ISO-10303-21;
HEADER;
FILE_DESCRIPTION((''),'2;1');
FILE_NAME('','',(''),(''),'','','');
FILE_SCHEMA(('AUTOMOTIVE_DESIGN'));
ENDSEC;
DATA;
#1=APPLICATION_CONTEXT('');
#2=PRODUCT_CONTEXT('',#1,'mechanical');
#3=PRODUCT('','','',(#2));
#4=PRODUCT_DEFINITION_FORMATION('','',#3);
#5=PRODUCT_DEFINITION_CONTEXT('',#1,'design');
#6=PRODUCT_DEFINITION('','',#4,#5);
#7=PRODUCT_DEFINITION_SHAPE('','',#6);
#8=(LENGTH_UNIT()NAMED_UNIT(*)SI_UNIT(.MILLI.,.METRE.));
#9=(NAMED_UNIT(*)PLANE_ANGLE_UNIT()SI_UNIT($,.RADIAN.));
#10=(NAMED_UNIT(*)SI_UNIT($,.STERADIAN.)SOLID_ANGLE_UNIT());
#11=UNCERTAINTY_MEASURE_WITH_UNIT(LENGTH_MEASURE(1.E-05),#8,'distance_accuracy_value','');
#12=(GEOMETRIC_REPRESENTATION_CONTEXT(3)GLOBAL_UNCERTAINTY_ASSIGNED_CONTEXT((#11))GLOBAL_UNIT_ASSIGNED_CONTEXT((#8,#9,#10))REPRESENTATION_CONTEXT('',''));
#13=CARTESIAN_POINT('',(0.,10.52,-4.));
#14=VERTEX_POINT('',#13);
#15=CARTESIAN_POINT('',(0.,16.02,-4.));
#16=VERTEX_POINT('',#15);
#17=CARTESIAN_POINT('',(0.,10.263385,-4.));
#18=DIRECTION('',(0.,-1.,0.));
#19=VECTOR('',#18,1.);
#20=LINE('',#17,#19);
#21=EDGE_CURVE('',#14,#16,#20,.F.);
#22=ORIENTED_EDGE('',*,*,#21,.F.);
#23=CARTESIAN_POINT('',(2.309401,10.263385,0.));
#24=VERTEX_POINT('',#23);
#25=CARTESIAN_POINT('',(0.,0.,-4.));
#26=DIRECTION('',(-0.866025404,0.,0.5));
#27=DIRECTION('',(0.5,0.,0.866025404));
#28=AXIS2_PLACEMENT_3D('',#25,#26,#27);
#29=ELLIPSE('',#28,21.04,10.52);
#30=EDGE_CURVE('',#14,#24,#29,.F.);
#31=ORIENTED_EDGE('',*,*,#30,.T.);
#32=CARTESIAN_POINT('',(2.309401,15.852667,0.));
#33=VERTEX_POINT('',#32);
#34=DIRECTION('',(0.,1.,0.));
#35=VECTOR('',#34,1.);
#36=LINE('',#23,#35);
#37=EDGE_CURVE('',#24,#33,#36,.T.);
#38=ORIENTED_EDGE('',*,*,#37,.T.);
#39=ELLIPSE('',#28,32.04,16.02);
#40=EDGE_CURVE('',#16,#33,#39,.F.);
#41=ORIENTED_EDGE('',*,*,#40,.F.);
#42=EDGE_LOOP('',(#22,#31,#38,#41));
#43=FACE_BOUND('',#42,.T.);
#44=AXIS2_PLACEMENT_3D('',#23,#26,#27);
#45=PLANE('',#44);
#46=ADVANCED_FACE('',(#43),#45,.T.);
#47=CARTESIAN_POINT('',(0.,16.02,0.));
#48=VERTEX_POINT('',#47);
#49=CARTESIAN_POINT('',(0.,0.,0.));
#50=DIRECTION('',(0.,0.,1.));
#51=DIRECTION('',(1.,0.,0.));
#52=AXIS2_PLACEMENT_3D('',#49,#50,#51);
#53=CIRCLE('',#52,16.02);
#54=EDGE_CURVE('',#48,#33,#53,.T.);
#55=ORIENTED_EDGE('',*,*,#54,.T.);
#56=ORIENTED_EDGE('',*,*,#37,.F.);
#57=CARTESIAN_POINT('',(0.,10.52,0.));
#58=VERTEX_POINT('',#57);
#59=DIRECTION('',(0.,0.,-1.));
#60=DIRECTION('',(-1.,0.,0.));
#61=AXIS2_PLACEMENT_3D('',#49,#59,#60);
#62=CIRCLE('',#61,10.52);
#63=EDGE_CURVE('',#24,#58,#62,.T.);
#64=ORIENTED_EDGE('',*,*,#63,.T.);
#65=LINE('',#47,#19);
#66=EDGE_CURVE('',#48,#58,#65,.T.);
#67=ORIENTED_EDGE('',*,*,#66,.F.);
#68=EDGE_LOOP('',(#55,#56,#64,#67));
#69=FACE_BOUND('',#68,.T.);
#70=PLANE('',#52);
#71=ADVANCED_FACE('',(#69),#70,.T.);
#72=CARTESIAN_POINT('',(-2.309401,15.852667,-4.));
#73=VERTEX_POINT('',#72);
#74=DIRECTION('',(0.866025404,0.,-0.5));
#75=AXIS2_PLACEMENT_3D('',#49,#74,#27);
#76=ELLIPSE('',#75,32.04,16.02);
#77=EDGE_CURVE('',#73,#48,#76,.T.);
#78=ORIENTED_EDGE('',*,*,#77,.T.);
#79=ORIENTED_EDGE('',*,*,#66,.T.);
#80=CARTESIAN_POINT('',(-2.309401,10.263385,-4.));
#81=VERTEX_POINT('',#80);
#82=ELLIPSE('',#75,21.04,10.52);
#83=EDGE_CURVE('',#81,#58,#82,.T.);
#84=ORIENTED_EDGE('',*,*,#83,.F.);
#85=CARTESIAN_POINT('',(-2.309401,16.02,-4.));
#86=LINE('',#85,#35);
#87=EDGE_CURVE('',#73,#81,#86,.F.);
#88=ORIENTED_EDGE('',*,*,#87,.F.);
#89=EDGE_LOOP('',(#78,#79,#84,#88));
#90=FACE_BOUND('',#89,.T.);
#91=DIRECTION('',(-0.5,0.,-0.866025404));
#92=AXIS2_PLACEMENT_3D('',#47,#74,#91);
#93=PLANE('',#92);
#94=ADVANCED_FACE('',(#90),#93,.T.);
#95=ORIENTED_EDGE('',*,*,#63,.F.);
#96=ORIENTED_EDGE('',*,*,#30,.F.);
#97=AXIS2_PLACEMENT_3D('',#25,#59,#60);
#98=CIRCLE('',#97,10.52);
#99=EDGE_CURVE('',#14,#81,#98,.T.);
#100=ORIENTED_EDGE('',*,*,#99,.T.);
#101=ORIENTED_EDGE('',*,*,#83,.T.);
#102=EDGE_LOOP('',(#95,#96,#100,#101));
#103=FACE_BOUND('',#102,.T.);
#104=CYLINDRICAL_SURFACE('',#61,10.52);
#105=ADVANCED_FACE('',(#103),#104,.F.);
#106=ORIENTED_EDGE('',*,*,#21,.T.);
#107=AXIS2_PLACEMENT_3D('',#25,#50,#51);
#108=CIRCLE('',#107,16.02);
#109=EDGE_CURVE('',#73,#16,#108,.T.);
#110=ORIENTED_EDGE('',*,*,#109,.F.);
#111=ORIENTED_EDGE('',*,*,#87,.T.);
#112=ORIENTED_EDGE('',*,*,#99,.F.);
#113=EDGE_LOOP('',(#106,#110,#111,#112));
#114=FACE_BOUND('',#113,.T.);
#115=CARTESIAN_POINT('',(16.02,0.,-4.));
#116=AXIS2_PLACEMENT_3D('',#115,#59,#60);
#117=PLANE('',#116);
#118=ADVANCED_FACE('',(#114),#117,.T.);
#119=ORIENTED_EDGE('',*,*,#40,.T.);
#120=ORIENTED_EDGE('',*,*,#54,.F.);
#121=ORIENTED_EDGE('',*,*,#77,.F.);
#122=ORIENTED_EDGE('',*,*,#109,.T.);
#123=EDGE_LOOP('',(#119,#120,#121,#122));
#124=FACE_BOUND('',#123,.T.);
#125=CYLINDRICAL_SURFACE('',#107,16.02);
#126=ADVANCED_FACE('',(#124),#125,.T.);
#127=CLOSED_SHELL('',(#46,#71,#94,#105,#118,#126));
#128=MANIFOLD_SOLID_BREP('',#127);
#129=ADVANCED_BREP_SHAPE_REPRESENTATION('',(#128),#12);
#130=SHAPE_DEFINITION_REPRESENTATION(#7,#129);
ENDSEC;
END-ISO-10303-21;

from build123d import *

# Parameters (mm, degrees)
SKETCH_1_W          = 16.02
SKETCH_1_H          = 4
CUT_EXTRUDE_1_DEPTH = 24.006103538
DRAFT_1_ANGLE       = -30
DRAFT_2_ANGLE       = 30
SKETCH_3_W          = 10.52
SKETCH_3_H          = 4


with BuildPart() as part:
    # 草图1 → 旋转1 (revolve)
    with BuildSketch(Plane(origin=(0, 0, 0), x_dir=(1, 0, 0), z_dir=(0, 1, 0))):
        with Locations((8.01, 2)):
            Rectangle(SKETCH_1_W, SKETCH_1_H)
    revolve(axis=Axis((0, 0, -4), (0, 0, 1)))

    # 草图2 → 切除-拉伸1 (cut, through all)
    with BuildSketch(Plane.XY):
        with BuildLine():
            Line((0, 16.02), (0, 10.52))
            ThreePointArc((0, 10.52), (1.16180729, 10.455649373), (2.309401077, 10.263384757))
            Line((2.309401077, 10.263384757), (2.309401077, 15.852667494))
            ThreePointArc((2.309401077, 15.852667494), (1.157727677, 15.978112111), (0, 16.02))
        make_face()
    extrude(amount=-CUT_EXTRUDE_1_DEPTH, mode=Mode.SUBTRACT)

    # 拔模1
    draft_1_faces = [part.faces().sort_by_distance(p)[0] for p in [
        (0, 13.27, -2),
    ]]
    draft(draft_1_faces, Plane.XY, DRAFT_1_ANGLE)

    # 拔模2
    draft_2_faces = [part.faces().sort_by_distance(p)[0] for p in [
        (2.309401077, 13.058026125, -2),
    ]]
    draft(draft_2_faces, Plane.XY, DRAFT_2_ANGLE)

    # 草图3 → 切除-旋转1 (revolve, cut)
    with BuildSketch(Plane.XZ):
        with Locations((5.26, -2)):
            Rectangle(SKETCH_3_W, SKETCH_3_H)
    revolve(axis=Axis((0, 0, 0), (0, 0, -1)), mode=Mode.SUBTRACT)


solid = part.part
